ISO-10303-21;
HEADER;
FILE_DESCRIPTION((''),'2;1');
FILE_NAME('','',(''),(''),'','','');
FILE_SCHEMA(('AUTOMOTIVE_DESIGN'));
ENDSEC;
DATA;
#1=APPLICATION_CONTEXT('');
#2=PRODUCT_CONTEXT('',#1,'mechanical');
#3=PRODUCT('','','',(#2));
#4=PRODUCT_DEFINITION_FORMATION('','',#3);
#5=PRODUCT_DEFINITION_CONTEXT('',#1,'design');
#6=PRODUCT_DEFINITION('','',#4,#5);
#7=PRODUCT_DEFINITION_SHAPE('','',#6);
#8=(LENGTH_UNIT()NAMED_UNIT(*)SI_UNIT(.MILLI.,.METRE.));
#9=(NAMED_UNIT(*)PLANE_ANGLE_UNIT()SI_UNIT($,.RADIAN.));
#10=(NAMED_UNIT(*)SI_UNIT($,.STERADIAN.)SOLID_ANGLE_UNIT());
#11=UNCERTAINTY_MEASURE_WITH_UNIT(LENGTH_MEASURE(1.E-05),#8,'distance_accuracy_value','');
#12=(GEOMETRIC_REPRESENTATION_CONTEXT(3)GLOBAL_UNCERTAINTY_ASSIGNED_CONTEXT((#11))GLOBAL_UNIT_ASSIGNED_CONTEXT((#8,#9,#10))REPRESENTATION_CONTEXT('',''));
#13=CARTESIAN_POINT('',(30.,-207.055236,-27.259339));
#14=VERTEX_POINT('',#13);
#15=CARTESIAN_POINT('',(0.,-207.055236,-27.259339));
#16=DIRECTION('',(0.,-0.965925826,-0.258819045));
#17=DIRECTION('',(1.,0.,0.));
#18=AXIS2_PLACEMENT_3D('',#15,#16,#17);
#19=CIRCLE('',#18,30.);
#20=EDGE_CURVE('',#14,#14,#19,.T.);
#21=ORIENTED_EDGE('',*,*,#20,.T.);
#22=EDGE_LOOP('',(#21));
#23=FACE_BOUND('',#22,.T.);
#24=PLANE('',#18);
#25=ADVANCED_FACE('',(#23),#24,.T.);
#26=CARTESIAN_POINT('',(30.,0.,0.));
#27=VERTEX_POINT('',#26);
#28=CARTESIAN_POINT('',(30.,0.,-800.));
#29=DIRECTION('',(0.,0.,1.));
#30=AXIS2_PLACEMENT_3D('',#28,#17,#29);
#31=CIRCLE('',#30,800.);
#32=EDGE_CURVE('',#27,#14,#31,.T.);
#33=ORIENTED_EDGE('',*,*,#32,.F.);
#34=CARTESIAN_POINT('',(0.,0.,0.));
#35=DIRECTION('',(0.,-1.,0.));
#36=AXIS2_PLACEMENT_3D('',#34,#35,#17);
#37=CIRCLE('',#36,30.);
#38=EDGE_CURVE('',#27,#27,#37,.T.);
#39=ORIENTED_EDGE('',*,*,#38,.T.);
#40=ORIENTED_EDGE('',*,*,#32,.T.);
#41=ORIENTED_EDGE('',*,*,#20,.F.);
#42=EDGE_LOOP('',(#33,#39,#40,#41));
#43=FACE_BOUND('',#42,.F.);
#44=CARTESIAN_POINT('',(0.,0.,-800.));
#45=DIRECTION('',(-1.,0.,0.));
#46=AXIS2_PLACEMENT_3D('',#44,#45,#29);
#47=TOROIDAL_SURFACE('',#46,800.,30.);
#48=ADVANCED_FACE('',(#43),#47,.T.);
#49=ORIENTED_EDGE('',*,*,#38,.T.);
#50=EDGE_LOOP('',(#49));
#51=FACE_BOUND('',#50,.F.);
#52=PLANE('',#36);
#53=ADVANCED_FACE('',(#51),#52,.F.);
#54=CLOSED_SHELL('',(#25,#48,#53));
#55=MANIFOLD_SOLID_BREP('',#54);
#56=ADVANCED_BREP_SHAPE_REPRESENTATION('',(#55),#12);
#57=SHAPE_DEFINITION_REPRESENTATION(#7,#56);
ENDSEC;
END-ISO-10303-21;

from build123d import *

# Parameters (mm, degrees)
F0_R     = 30
F1_ANGLE = 15


with BuildPart() as f1:
    # F0 (on Front) → F1 (revolve)
    with BuildSketch(Plane.XZ):
        Circle(F0_R)
    revolve(axis=Axis((32.279458, 0, -800), (1, 0, 0)), revolution_arc=F1_ANGLE)


solid = f1.part
